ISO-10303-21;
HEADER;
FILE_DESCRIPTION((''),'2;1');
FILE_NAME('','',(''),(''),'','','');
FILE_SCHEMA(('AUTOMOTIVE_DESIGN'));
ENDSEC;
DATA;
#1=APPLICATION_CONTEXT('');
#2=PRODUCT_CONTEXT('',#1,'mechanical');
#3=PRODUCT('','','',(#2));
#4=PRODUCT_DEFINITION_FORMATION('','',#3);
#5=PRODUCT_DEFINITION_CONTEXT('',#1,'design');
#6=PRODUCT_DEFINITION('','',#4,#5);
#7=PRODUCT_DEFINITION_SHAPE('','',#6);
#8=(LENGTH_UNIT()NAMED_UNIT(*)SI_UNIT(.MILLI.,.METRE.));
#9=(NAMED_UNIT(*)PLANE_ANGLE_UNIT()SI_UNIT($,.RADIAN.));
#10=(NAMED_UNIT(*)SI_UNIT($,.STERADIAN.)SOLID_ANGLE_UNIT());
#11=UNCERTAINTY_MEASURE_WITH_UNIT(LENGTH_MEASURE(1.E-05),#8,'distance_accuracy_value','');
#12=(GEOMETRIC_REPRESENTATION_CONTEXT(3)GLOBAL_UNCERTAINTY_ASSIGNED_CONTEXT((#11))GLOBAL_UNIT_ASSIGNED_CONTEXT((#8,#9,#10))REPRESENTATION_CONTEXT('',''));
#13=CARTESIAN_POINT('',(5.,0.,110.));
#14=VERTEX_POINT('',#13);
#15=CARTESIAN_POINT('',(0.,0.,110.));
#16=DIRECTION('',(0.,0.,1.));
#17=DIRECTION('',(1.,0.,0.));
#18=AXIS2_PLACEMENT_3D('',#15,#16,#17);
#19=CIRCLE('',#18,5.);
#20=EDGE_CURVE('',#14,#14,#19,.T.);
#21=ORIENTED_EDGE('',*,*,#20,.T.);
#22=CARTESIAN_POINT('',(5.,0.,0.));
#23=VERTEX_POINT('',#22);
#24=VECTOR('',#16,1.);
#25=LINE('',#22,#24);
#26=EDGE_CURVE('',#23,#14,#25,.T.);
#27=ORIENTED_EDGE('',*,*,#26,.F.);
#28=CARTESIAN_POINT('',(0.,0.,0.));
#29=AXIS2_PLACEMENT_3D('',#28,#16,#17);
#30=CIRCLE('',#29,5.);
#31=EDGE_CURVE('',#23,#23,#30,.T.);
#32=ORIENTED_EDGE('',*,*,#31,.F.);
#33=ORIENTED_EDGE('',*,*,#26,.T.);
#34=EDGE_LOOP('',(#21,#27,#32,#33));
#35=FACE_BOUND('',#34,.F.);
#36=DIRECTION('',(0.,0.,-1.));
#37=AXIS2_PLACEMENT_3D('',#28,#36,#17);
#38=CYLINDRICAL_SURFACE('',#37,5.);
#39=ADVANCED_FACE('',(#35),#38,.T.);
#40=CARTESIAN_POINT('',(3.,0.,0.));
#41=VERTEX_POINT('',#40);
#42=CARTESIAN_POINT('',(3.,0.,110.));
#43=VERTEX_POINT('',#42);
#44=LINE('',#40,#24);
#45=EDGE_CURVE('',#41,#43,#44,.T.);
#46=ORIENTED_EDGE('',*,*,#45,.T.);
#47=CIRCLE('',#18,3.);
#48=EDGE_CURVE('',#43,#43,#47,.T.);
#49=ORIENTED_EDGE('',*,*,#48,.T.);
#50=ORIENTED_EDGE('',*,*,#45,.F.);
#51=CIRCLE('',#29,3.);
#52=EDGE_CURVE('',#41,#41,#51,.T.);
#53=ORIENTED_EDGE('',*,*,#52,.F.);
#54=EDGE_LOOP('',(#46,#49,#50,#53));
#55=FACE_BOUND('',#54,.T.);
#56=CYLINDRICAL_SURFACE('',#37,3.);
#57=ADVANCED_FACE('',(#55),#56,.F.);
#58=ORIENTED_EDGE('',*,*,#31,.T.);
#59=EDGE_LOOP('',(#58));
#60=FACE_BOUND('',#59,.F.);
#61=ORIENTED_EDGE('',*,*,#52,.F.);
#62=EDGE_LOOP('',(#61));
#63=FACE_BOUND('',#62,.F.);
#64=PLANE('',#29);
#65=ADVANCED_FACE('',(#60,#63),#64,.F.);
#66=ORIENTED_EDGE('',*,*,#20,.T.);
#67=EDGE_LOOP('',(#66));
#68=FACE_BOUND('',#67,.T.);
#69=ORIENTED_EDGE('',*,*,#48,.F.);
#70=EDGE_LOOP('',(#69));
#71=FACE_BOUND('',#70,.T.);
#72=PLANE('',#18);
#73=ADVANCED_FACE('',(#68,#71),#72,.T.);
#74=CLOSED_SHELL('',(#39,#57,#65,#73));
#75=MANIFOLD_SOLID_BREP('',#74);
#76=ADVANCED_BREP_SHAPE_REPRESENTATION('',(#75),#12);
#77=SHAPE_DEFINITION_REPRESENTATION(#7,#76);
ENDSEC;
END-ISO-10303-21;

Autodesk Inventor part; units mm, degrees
ref_plane "YZ Plane" through (0, 0, 0) normal (1, 0, 0) x (0, 1, 0)
ref_plane "XZ Plane" through (0, 0, 0) normal (0, 1, 0) x (-1, 0, 0)
ref_plane "XY Plane" through (0, 0, 0) normal (0, 0, 1) x (1, 0, 0)
sketch "Sketch1" plane through (0, 0, 0) normal (0, 0, 1) x (1, 0, 0)
  circle A0 centre (0, 0) radius 3
  circle A1 centre (0, 0) radius 5
  dimension "d0" = 10
  dimension "d1" = 6
extrude "Extrusion1" add sketch "Sketch1" along normal blind 110
properties part number "pihti-simulation-ceramic-sleeve-10x6x110" material "Polystyrene"
